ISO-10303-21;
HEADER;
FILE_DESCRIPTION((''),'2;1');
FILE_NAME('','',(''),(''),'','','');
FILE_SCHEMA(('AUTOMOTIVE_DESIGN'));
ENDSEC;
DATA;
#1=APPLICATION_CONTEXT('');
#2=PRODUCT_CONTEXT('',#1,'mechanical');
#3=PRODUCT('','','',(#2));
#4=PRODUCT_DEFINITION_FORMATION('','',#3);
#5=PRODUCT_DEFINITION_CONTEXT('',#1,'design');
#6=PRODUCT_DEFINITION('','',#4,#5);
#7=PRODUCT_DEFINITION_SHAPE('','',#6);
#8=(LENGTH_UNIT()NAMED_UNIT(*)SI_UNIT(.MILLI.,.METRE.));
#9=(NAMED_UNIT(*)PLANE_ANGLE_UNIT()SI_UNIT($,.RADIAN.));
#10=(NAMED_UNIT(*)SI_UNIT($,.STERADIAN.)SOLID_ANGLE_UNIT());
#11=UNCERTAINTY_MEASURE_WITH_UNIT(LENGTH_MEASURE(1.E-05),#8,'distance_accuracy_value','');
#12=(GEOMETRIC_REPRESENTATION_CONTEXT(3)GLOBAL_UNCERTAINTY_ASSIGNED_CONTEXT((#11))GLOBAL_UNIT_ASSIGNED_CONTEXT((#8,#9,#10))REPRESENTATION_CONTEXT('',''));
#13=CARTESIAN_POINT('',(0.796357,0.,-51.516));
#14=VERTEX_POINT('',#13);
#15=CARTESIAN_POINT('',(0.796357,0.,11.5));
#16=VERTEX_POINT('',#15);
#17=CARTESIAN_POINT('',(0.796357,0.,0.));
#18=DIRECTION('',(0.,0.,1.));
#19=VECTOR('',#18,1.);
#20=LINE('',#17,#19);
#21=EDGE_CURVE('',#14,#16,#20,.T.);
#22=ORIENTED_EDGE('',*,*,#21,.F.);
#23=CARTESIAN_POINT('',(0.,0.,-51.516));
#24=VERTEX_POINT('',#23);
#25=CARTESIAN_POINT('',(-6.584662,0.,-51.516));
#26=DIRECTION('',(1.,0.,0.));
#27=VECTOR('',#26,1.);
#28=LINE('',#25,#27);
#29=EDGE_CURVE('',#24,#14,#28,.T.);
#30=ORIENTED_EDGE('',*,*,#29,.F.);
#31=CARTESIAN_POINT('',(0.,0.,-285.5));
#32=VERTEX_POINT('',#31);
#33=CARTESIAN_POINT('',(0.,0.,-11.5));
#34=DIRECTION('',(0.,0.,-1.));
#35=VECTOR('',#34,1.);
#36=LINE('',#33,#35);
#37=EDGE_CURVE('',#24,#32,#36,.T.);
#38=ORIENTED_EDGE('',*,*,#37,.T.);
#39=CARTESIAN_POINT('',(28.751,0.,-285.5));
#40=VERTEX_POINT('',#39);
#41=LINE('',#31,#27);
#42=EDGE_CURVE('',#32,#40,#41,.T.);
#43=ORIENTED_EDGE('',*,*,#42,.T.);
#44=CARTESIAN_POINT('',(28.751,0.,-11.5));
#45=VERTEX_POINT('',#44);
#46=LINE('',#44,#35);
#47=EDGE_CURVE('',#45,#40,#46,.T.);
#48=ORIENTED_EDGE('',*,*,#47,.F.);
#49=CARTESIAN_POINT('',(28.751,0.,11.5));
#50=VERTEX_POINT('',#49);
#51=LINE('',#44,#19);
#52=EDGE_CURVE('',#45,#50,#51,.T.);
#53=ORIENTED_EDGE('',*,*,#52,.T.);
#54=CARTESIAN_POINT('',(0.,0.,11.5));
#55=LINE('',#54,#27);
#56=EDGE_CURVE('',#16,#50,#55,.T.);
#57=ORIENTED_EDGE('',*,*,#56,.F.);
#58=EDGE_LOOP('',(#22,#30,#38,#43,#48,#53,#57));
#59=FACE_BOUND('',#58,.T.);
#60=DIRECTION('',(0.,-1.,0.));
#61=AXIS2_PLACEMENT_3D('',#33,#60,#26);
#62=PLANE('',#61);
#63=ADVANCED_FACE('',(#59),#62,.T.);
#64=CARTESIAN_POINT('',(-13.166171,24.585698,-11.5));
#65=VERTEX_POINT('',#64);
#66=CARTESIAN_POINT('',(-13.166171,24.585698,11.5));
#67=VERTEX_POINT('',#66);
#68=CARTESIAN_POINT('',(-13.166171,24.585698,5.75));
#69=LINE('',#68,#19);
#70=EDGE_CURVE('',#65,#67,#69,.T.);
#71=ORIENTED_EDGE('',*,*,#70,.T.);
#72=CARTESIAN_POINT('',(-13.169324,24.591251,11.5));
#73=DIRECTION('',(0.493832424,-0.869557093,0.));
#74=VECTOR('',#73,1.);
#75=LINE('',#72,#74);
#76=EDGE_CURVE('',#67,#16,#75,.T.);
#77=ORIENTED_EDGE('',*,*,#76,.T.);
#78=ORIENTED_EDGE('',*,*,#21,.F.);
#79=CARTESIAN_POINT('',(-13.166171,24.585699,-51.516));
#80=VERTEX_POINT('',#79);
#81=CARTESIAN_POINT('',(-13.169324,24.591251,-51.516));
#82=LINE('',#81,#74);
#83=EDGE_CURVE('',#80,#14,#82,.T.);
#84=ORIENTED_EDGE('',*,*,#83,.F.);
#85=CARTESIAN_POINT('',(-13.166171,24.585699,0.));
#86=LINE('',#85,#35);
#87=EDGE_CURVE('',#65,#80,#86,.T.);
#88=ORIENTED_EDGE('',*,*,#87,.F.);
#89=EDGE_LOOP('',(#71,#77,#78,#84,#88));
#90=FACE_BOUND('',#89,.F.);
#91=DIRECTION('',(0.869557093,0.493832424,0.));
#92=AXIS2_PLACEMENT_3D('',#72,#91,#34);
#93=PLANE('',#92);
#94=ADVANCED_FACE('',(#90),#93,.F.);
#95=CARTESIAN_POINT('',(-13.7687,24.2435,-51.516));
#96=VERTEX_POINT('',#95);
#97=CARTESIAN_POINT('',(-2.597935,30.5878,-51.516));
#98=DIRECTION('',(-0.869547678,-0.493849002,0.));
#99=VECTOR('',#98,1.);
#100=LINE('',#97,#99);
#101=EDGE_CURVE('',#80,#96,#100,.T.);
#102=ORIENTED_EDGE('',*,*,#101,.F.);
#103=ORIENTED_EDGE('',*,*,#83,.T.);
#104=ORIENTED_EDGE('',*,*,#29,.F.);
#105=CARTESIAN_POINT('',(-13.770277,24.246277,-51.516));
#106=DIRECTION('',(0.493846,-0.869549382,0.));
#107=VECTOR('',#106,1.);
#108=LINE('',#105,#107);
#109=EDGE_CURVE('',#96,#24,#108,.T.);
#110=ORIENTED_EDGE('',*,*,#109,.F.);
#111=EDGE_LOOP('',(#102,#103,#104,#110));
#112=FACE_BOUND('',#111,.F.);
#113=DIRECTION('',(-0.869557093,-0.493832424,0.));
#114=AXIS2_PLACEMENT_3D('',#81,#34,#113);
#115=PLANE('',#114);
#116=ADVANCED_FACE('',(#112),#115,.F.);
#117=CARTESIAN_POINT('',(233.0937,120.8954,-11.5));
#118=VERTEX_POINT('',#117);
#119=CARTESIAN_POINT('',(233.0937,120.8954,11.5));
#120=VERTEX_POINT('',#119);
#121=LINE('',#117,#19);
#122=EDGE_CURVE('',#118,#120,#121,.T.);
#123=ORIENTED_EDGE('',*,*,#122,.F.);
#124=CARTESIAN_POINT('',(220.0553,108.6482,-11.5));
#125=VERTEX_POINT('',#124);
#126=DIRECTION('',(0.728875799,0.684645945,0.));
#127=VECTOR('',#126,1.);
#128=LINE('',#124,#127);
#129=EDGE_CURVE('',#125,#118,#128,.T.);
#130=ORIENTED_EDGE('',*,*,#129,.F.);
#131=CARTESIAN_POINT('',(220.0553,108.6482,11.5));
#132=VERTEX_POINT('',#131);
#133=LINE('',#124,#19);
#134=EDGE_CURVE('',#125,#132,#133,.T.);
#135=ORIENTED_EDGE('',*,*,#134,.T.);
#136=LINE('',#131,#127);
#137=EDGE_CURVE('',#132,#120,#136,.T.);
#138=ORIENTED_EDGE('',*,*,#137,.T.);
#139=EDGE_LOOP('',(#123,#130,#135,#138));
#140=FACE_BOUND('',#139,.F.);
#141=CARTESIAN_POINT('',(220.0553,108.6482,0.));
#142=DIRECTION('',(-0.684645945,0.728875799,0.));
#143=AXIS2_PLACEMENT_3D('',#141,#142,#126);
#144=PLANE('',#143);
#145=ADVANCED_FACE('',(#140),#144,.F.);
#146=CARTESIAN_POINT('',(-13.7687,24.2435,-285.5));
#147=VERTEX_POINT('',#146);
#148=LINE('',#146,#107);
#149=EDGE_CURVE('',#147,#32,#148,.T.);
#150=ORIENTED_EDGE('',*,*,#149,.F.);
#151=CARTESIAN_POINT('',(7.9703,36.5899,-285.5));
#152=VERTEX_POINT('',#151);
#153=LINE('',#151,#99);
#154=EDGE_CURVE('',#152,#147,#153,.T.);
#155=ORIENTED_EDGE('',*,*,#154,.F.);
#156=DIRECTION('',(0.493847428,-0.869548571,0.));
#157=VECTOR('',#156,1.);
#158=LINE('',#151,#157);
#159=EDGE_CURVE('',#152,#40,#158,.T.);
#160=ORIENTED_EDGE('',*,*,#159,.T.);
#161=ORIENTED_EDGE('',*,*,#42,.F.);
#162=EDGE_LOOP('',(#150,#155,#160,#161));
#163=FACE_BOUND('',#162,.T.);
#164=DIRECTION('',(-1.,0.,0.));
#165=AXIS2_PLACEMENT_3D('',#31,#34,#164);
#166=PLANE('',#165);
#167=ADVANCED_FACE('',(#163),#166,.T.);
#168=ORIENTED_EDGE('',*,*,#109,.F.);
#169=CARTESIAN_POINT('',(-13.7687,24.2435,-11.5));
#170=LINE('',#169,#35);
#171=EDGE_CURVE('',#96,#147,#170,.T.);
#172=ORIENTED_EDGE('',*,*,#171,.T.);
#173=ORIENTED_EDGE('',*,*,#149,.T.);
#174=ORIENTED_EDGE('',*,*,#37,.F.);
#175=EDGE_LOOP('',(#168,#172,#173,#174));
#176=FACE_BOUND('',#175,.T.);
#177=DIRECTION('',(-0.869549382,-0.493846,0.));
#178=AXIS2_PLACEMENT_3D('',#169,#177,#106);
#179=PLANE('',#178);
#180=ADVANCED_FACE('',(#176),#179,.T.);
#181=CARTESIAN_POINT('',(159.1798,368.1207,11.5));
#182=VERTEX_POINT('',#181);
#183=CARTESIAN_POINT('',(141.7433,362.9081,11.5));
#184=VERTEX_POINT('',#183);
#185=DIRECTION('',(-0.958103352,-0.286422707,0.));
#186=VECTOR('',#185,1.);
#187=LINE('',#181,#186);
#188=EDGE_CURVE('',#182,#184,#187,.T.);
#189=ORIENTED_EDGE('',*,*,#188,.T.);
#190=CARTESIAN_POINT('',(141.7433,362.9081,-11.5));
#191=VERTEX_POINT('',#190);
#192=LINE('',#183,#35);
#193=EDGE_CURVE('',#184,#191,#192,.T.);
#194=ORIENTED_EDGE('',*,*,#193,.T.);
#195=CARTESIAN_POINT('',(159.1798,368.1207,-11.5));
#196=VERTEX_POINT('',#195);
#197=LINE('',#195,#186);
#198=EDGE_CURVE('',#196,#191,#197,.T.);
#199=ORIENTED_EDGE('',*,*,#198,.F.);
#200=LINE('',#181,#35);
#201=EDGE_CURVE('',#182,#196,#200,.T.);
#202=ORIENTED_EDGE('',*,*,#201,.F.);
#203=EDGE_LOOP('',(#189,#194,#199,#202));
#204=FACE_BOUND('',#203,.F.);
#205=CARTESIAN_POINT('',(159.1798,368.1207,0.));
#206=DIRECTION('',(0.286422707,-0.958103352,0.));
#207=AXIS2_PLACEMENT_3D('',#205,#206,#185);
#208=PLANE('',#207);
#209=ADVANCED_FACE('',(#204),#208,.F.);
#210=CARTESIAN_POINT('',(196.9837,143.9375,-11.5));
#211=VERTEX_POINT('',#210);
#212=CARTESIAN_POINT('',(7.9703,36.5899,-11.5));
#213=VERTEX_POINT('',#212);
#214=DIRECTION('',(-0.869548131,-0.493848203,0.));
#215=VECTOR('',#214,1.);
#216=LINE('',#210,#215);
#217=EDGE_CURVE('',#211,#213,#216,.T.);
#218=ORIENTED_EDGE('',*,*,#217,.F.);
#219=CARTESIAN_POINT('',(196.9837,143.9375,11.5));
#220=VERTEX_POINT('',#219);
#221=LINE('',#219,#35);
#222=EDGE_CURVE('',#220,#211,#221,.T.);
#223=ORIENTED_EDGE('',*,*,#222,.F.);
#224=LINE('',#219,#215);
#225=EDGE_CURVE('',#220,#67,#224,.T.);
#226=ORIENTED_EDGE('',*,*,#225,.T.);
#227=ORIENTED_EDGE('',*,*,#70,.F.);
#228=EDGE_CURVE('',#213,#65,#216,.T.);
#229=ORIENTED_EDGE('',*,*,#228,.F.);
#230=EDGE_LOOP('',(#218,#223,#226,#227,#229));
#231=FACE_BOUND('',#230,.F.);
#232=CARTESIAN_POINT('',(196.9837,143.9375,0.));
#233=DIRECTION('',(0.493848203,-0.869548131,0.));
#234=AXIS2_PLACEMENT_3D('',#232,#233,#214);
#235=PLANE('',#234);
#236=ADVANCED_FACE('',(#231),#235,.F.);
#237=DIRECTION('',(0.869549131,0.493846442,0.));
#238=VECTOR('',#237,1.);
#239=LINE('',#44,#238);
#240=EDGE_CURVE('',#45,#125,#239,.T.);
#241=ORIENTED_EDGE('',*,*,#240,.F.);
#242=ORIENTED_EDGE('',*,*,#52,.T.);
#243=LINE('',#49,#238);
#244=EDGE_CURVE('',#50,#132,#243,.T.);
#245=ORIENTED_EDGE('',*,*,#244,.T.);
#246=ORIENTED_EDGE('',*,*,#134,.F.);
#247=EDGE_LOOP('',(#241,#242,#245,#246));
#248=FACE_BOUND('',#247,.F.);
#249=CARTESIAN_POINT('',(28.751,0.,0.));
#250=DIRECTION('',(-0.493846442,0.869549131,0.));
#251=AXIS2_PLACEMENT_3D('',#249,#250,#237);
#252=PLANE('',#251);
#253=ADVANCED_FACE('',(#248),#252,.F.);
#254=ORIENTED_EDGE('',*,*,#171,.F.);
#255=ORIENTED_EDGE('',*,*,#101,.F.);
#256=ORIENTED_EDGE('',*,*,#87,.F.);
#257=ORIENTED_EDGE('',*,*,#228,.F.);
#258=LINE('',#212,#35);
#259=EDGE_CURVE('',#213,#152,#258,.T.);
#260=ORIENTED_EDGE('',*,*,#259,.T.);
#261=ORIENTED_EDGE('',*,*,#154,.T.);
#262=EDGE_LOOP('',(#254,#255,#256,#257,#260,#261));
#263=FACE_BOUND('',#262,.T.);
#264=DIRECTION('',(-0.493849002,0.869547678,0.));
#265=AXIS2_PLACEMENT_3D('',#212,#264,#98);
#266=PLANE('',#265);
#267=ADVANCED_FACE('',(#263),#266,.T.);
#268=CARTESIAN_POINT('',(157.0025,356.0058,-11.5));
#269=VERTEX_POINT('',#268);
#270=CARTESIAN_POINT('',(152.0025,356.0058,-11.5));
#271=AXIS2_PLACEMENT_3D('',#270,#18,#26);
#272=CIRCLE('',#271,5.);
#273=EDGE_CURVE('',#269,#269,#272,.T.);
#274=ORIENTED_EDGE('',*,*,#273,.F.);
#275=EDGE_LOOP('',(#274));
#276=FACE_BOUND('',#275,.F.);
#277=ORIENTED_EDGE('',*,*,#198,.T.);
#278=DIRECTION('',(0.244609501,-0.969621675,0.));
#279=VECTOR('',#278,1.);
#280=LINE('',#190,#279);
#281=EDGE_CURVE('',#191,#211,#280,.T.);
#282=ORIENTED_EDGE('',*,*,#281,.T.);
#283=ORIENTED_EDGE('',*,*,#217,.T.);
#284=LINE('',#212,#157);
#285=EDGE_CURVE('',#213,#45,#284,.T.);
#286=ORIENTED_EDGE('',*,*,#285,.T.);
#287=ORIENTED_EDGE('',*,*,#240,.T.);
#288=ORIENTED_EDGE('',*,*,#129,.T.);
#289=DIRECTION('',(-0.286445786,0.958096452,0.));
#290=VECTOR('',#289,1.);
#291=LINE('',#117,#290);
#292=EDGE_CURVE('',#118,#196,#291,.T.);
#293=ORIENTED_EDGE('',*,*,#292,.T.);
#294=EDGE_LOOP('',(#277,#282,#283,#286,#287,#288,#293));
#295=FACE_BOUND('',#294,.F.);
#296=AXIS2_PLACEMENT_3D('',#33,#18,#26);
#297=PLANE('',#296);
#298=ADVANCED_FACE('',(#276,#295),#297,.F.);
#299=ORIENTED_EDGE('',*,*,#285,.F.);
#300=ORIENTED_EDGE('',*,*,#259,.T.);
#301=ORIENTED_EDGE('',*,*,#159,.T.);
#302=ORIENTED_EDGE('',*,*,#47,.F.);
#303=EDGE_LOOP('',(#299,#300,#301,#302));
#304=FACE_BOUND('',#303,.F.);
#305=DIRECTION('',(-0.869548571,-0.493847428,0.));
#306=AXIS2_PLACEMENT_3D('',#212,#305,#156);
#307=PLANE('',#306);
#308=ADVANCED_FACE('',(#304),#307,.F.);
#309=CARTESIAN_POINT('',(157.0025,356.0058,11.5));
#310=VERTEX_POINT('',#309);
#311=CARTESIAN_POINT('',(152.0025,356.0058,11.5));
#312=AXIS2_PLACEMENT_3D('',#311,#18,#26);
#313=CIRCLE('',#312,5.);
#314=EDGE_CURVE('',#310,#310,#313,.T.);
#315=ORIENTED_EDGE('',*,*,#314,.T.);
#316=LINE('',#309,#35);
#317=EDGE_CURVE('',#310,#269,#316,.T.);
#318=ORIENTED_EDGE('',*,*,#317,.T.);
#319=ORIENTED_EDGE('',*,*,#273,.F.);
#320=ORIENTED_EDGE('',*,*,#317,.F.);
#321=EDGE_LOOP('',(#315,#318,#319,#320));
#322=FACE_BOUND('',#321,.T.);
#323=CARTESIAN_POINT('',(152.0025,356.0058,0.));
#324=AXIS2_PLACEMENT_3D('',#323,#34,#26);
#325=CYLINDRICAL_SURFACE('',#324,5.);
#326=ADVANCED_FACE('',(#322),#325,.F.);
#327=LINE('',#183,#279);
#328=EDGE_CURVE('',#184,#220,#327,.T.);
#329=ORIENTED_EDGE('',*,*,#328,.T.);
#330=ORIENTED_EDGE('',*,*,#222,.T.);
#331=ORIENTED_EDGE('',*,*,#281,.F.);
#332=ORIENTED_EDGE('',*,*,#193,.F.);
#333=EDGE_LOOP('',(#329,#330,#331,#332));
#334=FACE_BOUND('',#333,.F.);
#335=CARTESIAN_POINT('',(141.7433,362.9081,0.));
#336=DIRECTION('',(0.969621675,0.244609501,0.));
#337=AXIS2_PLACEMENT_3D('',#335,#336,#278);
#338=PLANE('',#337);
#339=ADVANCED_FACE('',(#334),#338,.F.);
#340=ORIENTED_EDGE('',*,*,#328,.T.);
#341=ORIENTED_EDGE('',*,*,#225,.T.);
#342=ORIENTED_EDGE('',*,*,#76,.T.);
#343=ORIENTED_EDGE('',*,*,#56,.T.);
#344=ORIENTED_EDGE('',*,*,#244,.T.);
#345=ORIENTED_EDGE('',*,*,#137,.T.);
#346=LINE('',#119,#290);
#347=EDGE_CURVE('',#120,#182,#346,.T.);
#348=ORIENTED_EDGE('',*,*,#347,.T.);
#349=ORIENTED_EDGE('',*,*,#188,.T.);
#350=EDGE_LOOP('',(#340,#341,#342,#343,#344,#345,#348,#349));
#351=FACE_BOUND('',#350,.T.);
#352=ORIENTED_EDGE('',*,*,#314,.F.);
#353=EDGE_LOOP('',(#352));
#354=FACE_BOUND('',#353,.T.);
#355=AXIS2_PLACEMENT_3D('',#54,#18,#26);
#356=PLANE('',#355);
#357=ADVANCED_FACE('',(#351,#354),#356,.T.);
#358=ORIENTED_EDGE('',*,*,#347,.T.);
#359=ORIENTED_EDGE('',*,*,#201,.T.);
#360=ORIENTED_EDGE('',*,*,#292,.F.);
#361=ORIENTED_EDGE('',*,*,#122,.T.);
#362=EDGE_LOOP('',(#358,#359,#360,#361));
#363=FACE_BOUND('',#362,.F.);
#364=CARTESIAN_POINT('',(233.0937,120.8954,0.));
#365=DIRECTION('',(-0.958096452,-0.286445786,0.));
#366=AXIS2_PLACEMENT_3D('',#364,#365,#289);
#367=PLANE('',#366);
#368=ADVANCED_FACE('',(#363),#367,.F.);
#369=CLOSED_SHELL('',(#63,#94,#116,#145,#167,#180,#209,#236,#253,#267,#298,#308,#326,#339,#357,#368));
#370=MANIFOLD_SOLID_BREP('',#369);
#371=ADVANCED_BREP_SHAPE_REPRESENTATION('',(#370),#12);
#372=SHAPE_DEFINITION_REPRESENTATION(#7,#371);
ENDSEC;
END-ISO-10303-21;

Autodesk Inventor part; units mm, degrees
ref_plane "YZ Plane" through (0, 0, 0) normal (1, 0, 0) x (0, 1, 0)
ref_plane "XZ Plane" through (0, 0, 0) normal (0, 1, 0) x (-1, 0, 0)
ref_plane "XY Plane" through (0, 0, 0) normal (0, 0, 1) x (1, 0, 0)
sketch "Sketch1" plane through (0, 0, 0) normal (0, 0, 1) x (1, 0, 0)
  circle A0 centre (152.0025, 356.0058) radius 5
  line L0 (28.751, 0) -> (220.0553, 108.6482)
  line L1 (220.0553, 108.6482) -> (233.0937, 120.8954)
  line L2 (233.0937, 120.8954) -> (159.1798, 368.1207)
  line L3 (159.1798, 368.1207) -> (141.7433, 362.9081)
  line L4 (141.7433, 362.9081) -> (196.9837, 143.9375)
  line L5 (196.9837, 143.9375) -> (-13.7687, 24.2435)
  line L6 (0, 0) -> (-13.7687, 24.2435)
  line L7 (0, 0) -> (28.751, 0)
  dimension "CHAMFER" = 28.751
  dimension "d1" = 60.406
  dimension "d2" = 29.594
  dimension "ARM_L" = 220.004
  dimension "ARM_L2" = 242.37
  dimension "ARM_VER_L" = 258.038
  dimension "ARM_VER_L2" = 225.831
  dimension "ARM_W2" = 18.199
  dimension "ARM_W" = 42.162
  dimension "PIN_HOLE" = 10
  dimension "d10" = 233.0937
  dimension "d11" = 120.8954
  dimension "d12" = 24.2435
  dimension "d13" = 13.7687
  dimension "d14" = 196.9837
  dimension "d15" = 220.0553
  dimension "d16" = 159.1798
  dimension "d17" = 152.0025
  dimension "d18" = 356.0058
extrude "Extrusion1" add sketch "Sketch1" along normal mid plane 23
sketch "Sketch2" plane through (0, 0, -11.5) normal (0, 0, -1) x (-1, 0, 0)
  line L0 (-7.9703, 36.5899) -> (13.7687, 24.2435)
  line L1 (13.7687, 24.2435) -> (-0.054, -0.0951)
  line L2 (0, 0) -> (-0.054, -0.0951)
  line L3 (0, 0) -> (-28.751, 0)
  line L4 (-7.9703, 36.5899) -> (-28.751, 0)
  line L5 (0, 0) -> (13.7687, 24.2435) projected
  line L6 (13.7687, 24.2435) -> (-196.9837, 143.9375) projected
  line L7 (-28.751, 0) -> (0, 0) projected
  point P0 (226.376, 276)
extrude "Extrusion2" add sketch "Sketch2" along normal blind 274
sketch "Sketch3" plane through (196.9837, 143.9375, 11.5) normal (-0.4938, 0.8695, 0) x (0.8695, 0.4938, 0)
  line L0 (-242.3701, 0) -> (-217.3697, 0) projected
  line L1 (-242.3701, 0) -> (-241.6771, 0)
  line L2 (-241.6771, 0) -> (-241.6771, 63.016)
  line L3 (-241.6771, 63.016) -> (-242.3701, 63.016)
  line L4 (-242.3701, 63.016) -> (-242.3701, 0)
  point P0 (-242.3701, 11.5)
  point P1 (-241.6771, 0)
  dimension "d23" = 63.016
  dimension "d24" = 0.693
extrude "Extrusion3" cut sketch "Sketch3" against normal blind 274
properties part number "grip - C2-1"
